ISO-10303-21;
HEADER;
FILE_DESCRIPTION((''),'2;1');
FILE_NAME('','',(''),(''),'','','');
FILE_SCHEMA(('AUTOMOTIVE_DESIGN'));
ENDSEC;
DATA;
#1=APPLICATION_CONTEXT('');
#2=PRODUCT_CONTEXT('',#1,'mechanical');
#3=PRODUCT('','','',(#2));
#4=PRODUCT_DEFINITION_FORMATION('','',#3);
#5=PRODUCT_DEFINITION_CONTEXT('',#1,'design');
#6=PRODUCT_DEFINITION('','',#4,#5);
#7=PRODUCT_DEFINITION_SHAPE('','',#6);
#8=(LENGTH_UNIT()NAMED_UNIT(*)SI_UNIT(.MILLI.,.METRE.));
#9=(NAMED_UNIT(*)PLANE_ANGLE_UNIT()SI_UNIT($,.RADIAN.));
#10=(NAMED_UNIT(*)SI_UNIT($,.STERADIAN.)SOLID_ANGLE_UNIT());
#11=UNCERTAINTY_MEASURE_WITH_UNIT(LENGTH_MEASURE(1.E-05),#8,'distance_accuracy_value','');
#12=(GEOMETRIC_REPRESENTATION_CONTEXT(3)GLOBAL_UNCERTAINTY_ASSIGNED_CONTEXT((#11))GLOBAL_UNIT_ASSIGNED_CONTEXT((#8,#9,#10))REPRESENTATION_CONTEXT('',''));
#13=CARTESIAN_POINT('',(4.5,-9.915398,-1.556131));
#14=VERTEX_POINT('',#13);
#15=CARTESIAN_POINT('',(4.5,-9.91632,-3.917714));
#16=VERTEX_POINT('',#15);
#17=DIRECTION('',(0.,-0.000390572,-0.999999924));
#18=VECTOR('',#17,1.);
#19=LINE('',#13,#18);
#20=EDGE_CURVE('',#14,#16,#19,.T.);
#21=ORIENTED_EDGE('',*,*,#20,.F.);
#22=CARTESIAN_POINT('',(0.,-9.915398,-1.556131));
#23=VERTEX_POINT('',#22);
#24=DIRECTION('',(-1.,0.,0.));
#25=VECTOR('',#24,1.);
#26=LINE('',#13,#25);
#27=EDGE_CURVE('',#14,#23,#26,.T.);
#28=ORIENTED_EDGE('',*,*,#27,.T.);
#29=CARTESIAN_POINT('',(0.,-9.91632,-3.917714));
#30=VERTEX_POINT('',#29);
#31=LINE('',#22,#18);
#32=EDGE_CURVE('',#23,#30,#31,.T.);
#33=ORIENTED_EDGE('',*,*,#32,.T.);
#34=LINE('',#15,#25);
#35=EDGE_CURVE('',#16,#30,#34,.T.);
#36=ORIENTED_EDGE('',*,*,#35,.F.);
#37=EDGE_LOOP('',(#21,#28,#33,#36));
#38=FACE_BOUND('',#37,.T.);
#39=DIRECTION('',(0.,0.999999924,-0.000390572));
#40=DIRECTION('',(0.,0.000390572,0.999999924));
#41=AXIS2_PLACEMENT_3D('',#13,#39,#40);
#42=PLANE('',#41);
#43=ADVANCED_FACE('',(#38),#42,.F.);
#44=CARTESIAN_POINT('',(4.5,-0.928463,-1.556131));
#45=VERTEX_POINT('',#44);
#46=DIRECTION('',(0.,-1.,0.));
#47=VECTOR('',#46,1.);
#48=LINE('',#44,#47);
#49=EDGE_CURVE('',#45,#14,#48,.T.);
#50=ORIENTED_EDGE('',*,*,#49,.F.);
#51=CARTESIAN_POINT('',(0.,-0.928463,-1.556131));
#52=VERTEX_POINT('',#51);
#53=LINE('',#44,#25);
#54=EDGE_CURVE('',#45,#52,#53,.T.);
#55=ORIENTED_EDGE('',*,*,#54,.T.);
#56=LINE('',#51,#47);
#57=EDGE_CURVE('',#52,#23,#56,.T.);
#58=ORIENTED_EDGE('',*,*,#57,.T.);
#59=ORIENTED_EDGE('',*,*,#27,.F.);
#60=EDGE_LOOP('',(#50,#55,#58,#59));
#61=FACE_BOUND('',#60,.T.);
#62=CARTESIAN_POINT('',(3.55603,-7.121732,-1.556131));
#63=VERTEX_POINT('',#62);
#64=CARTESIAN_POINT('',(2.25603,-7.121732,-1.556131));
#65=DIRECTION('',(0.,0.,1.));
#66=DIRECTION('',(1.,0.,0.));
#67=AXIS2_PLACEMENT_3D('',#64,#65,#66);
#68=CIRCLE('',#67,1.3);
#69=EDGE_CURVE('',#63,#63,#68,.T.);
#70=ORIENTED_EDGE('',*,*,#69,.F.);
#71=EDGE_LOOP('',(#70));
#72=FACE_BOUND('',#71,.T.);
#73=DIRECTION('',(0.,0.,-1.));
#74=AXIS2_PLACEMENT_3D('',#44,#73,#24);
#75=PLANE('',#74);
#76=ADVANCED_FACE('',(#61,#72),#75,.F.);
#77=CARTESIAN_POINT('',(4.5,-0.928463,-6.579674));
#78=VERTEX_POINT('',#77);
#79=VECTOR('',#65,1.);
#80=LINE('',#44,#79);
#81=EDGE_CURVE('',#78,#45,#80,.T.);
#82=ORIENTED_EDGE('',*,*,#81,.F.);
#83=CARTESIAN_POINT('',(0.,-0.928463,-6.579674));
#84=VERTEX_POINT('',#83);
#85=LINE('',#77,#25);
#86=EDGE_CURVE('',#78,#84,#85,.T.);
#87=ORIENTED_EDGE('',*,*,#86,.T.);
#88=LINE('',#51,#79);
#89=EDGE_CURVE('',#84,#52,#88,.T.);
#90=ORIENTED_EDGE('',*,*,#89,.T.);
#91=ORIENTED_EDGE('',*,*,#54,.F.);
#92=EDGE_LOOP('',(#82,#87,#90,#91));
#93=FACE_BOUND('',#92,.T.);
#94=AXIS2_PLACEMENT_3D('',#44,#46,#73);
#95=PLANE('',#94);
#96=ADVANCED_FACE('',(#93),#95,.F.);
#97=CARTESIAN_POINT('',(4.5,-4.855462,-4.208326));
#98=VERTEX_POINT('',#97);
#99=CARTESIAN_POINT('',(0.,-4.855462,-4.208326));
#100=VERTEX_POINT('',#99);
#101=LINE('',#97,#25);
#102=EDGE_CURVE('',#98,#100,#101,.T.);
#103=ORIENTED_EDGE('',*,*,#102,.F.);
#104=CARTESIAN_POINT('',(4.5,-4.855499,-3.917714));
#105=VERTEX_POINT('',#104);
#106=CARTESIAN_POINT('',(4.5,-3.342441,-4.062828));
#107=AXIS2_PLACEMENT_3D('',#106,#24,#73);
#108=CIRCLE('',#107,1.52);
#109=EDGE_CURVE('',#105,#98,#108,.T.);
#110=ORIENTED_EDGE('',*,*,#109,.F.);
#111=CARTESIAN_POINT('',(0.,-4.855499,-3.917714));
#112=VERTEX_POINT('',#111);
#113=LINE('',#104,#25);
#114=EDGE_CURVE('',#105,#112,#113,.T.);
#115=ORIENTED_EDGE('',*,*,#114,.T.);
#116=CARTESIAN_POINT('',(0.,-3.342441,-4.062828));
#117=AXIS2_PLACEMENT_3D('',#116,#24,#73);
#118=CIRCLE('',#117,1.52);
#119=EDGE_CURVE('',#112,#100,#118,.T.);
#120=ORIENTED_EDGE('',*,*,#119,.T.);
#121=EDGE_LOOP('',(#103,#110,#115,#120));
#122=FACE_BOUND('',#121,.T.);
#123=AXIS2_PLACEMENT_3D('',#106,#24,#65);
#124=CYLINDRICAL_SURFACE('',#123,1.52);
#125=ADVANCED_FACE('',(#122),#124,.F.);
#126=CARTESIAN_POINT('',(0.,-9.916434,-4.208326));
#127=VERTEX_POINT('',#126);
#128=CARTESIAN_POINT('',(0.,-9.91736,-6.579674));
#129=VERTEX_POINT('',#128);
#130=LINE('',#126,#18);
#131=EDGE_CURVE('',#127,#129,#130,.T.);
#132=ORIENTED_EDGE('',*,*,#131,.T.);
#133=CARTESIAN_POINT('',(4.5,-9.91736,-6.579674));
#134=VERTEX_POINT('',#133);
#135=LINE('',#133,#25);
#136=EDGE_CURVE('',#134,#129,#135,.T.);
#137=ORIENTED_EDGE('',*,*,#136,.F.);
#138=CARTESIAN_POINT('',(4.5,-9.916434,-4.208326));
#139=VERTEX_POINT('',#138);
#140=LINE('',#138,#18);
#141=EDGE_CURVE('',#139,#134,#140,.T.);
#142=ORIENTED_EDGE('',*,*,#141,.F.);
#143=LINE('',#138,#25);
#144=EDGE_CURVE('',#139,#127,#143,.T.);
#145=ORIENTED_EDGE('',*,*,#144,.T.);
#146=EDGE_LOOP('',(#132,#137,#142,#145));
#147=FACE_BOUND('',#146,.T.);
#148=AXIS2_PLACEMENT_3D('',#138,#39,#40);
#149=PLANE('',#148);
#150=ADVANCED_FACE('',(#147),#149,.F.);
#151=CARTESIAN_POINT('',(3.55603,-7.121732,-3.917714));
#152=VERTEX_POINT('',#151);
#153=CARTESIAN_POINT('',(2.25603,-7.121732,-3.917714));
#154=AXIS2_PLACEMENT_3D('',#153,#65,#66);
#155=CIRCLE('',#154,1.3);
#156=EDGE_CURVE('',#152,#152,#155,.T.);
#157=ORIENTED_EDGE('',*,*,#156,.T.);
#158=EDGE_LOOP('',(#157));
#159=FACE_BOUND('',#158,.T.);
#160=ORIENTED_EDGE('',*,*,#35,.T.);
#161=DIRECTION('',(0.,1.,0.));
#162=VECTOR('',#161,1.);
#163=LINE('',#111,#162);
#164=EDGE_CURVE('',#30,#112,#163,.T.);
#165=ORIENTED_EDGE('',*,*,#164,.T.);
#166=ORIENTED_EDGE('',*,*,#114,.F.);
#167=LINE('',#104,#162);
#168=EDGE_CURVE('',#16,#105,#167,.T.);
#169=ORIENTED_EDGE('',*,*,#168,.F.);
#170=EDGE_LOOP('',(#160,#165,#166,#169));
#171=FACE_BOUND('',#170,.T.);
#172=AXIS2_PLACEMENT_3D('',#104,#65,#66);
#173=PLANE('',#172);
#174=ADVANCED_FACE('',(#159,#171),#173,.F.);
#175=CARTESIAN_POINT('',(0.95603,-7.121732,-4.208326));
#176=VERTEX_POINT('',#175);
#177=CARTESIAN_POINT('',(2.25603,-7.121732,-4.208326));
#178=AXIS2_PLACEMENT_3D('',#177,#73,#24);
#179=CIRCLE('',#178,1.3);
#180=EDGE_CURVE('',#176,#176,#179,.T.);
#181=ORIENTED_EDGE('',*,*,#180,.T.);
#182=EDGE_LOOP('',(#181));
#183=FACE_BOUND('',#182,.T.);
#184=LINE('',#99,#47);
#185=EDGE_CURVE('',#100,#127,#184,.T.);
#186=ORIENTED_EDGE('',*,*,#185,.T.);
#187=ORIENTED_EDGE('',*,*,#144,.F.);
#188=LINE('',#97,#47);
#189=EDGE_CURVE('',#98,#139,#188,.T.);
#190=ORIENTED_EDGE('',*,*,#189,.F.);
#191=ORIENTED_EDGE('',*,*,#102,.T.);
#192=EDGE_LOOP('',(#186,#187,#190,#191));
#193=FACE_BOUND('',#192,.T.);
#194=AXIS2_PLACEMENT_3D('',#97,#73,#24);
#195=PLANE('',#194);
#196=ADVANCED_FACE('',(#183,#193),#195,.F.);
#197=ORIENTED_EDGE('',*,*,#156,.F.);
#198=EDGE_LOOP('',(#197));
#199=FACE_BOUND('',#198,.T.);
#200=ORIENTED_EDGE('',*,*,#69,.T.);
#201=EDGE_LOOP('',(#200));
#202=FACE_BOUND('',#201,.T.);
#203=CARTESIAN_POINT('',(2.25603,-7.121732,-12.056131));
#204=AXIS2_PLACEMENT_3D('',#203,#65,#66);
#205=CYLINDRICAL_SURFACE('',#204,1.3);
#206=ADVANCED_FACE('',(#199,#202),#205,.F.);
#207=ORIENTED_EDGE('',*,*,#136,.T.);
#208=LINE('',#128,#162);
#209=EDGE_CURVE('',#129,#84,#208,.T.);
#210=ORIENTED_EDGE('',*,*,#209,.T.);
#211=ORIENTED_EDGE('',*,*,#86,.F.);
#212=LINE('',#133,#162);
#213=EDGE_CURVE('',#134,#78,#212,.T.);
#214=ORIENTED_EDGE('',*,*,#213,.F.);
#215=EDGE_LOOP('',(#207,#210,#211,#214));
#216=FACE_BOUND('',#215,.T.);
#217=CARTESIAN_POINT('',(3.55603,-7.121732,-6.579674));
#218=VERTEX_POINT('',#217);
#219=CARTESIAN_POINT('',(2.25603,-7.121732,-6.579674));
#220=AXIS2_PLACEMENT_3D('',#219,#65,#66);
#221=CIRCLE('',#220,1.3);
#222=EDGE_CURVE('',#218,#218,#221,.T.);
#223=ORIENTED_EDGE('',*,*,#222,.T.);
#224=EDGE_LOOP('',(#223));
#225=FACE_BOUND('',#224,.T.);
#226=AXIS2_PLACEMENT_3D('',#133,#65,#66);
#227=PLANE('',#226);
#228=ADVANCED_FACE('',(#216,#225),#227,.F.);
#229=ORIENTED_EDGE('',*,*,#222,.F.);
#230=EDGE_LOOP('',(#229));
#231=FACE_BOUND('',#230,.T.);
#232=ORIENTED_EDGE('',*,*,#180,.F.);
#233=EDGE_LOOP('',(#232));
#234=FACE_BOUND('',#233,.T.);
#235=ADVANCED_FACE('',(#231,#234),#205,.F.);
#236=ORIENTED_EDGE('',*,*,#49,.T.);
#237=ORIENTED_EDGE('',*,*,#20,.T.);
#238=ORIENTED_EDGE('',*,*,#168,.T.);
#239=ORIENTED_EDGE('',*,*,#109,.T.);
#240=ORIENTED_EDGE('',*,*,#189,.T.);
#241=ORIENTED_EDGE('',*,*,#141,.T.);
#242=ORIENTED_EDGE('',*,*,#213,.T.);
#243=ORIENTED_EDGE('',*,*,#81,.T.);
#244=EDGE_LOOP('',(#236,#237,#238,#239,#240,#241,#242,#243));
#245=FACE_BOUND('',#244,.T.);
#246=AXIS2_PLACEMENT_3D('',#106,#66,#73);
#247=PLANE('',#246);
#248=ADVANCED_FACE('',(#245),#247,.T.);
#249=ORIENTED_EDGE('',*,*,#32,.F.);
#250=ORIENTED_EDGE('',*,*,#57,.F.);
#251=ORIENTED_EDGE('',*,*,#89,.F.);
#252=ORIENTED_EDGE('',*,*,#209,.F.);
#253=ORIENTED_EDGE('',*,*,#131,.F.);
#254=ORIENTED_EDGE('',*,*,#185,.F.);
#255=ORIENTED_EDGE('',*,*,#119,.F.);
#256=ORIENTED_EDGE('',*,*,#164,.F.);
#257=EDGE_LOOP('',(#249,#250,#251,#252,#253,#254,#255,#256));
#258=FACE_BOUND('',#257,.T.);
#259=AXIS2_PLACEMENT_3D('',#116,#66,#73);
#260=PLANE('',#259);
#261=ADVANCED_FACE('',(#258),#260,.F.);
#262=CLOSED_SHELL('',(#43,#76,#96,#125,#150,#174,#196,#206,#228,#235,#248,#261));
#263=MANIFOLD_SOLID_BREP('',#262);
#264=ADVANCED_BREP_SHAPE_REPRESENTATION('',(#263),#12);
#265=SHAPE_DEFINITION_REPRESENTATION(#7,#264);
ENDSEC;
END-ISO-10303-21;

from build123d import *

# Parameters (mm, degrees)
BOSS_EXTRUDE2_DEPTH = 4.5
SKETCH3_R           = 1.3
CUT_EXTRUDE1_DEPTH  = 10.5


with BuildPart() as part:
    # Sketch1 → Boss-Extrude2 (new body)
    with BuildSketch(Plane(origin=(0, 0, 0), x_dir=(0, 0, -1), z_dir=(1, 0, 0))):
        with BuildLine():
            Line((1.55613054, -9.91539795), (3.917713804, -9.916320319))
            Line((3.917713804, -9.916320319), (3.917713804, -4.855498596))
            ThreePointArc((3.917713804, -4.855498596), (4.062635704, -1.822441499), (4.208325788, -4.855461794))
            Line((4.208325788, -4.855461794), (4.208325788, -9.916433824))
            Line((4.208325788, -9.916433824), (6.579674081, -9.917360006))
            Line((6.579674081, -9.917360006), (6.579674081, -0.928463249))
            Line((6.579674081, -0.928463249), (1.55613054, -0.928463249))
            Line((1.55613054, -0.928463249), (1.55613054, -9.91539795))
        make_face()
    extrude(amount=BOSS_EXTRUDE2_DEPTH)

    # Sketch3 → Cut-Extrude1 (cut)
    with BuildSketch(Plane.XY.offset(-1.55613054)):
        with Locations((2.256029543, -7.121731935)):
            Circle(SKETCH3_R)
    extrude(amount=-CUT_EXTRUDE1_DEPTH, mode=Mode.SUBTRACT)


solid = part.part
